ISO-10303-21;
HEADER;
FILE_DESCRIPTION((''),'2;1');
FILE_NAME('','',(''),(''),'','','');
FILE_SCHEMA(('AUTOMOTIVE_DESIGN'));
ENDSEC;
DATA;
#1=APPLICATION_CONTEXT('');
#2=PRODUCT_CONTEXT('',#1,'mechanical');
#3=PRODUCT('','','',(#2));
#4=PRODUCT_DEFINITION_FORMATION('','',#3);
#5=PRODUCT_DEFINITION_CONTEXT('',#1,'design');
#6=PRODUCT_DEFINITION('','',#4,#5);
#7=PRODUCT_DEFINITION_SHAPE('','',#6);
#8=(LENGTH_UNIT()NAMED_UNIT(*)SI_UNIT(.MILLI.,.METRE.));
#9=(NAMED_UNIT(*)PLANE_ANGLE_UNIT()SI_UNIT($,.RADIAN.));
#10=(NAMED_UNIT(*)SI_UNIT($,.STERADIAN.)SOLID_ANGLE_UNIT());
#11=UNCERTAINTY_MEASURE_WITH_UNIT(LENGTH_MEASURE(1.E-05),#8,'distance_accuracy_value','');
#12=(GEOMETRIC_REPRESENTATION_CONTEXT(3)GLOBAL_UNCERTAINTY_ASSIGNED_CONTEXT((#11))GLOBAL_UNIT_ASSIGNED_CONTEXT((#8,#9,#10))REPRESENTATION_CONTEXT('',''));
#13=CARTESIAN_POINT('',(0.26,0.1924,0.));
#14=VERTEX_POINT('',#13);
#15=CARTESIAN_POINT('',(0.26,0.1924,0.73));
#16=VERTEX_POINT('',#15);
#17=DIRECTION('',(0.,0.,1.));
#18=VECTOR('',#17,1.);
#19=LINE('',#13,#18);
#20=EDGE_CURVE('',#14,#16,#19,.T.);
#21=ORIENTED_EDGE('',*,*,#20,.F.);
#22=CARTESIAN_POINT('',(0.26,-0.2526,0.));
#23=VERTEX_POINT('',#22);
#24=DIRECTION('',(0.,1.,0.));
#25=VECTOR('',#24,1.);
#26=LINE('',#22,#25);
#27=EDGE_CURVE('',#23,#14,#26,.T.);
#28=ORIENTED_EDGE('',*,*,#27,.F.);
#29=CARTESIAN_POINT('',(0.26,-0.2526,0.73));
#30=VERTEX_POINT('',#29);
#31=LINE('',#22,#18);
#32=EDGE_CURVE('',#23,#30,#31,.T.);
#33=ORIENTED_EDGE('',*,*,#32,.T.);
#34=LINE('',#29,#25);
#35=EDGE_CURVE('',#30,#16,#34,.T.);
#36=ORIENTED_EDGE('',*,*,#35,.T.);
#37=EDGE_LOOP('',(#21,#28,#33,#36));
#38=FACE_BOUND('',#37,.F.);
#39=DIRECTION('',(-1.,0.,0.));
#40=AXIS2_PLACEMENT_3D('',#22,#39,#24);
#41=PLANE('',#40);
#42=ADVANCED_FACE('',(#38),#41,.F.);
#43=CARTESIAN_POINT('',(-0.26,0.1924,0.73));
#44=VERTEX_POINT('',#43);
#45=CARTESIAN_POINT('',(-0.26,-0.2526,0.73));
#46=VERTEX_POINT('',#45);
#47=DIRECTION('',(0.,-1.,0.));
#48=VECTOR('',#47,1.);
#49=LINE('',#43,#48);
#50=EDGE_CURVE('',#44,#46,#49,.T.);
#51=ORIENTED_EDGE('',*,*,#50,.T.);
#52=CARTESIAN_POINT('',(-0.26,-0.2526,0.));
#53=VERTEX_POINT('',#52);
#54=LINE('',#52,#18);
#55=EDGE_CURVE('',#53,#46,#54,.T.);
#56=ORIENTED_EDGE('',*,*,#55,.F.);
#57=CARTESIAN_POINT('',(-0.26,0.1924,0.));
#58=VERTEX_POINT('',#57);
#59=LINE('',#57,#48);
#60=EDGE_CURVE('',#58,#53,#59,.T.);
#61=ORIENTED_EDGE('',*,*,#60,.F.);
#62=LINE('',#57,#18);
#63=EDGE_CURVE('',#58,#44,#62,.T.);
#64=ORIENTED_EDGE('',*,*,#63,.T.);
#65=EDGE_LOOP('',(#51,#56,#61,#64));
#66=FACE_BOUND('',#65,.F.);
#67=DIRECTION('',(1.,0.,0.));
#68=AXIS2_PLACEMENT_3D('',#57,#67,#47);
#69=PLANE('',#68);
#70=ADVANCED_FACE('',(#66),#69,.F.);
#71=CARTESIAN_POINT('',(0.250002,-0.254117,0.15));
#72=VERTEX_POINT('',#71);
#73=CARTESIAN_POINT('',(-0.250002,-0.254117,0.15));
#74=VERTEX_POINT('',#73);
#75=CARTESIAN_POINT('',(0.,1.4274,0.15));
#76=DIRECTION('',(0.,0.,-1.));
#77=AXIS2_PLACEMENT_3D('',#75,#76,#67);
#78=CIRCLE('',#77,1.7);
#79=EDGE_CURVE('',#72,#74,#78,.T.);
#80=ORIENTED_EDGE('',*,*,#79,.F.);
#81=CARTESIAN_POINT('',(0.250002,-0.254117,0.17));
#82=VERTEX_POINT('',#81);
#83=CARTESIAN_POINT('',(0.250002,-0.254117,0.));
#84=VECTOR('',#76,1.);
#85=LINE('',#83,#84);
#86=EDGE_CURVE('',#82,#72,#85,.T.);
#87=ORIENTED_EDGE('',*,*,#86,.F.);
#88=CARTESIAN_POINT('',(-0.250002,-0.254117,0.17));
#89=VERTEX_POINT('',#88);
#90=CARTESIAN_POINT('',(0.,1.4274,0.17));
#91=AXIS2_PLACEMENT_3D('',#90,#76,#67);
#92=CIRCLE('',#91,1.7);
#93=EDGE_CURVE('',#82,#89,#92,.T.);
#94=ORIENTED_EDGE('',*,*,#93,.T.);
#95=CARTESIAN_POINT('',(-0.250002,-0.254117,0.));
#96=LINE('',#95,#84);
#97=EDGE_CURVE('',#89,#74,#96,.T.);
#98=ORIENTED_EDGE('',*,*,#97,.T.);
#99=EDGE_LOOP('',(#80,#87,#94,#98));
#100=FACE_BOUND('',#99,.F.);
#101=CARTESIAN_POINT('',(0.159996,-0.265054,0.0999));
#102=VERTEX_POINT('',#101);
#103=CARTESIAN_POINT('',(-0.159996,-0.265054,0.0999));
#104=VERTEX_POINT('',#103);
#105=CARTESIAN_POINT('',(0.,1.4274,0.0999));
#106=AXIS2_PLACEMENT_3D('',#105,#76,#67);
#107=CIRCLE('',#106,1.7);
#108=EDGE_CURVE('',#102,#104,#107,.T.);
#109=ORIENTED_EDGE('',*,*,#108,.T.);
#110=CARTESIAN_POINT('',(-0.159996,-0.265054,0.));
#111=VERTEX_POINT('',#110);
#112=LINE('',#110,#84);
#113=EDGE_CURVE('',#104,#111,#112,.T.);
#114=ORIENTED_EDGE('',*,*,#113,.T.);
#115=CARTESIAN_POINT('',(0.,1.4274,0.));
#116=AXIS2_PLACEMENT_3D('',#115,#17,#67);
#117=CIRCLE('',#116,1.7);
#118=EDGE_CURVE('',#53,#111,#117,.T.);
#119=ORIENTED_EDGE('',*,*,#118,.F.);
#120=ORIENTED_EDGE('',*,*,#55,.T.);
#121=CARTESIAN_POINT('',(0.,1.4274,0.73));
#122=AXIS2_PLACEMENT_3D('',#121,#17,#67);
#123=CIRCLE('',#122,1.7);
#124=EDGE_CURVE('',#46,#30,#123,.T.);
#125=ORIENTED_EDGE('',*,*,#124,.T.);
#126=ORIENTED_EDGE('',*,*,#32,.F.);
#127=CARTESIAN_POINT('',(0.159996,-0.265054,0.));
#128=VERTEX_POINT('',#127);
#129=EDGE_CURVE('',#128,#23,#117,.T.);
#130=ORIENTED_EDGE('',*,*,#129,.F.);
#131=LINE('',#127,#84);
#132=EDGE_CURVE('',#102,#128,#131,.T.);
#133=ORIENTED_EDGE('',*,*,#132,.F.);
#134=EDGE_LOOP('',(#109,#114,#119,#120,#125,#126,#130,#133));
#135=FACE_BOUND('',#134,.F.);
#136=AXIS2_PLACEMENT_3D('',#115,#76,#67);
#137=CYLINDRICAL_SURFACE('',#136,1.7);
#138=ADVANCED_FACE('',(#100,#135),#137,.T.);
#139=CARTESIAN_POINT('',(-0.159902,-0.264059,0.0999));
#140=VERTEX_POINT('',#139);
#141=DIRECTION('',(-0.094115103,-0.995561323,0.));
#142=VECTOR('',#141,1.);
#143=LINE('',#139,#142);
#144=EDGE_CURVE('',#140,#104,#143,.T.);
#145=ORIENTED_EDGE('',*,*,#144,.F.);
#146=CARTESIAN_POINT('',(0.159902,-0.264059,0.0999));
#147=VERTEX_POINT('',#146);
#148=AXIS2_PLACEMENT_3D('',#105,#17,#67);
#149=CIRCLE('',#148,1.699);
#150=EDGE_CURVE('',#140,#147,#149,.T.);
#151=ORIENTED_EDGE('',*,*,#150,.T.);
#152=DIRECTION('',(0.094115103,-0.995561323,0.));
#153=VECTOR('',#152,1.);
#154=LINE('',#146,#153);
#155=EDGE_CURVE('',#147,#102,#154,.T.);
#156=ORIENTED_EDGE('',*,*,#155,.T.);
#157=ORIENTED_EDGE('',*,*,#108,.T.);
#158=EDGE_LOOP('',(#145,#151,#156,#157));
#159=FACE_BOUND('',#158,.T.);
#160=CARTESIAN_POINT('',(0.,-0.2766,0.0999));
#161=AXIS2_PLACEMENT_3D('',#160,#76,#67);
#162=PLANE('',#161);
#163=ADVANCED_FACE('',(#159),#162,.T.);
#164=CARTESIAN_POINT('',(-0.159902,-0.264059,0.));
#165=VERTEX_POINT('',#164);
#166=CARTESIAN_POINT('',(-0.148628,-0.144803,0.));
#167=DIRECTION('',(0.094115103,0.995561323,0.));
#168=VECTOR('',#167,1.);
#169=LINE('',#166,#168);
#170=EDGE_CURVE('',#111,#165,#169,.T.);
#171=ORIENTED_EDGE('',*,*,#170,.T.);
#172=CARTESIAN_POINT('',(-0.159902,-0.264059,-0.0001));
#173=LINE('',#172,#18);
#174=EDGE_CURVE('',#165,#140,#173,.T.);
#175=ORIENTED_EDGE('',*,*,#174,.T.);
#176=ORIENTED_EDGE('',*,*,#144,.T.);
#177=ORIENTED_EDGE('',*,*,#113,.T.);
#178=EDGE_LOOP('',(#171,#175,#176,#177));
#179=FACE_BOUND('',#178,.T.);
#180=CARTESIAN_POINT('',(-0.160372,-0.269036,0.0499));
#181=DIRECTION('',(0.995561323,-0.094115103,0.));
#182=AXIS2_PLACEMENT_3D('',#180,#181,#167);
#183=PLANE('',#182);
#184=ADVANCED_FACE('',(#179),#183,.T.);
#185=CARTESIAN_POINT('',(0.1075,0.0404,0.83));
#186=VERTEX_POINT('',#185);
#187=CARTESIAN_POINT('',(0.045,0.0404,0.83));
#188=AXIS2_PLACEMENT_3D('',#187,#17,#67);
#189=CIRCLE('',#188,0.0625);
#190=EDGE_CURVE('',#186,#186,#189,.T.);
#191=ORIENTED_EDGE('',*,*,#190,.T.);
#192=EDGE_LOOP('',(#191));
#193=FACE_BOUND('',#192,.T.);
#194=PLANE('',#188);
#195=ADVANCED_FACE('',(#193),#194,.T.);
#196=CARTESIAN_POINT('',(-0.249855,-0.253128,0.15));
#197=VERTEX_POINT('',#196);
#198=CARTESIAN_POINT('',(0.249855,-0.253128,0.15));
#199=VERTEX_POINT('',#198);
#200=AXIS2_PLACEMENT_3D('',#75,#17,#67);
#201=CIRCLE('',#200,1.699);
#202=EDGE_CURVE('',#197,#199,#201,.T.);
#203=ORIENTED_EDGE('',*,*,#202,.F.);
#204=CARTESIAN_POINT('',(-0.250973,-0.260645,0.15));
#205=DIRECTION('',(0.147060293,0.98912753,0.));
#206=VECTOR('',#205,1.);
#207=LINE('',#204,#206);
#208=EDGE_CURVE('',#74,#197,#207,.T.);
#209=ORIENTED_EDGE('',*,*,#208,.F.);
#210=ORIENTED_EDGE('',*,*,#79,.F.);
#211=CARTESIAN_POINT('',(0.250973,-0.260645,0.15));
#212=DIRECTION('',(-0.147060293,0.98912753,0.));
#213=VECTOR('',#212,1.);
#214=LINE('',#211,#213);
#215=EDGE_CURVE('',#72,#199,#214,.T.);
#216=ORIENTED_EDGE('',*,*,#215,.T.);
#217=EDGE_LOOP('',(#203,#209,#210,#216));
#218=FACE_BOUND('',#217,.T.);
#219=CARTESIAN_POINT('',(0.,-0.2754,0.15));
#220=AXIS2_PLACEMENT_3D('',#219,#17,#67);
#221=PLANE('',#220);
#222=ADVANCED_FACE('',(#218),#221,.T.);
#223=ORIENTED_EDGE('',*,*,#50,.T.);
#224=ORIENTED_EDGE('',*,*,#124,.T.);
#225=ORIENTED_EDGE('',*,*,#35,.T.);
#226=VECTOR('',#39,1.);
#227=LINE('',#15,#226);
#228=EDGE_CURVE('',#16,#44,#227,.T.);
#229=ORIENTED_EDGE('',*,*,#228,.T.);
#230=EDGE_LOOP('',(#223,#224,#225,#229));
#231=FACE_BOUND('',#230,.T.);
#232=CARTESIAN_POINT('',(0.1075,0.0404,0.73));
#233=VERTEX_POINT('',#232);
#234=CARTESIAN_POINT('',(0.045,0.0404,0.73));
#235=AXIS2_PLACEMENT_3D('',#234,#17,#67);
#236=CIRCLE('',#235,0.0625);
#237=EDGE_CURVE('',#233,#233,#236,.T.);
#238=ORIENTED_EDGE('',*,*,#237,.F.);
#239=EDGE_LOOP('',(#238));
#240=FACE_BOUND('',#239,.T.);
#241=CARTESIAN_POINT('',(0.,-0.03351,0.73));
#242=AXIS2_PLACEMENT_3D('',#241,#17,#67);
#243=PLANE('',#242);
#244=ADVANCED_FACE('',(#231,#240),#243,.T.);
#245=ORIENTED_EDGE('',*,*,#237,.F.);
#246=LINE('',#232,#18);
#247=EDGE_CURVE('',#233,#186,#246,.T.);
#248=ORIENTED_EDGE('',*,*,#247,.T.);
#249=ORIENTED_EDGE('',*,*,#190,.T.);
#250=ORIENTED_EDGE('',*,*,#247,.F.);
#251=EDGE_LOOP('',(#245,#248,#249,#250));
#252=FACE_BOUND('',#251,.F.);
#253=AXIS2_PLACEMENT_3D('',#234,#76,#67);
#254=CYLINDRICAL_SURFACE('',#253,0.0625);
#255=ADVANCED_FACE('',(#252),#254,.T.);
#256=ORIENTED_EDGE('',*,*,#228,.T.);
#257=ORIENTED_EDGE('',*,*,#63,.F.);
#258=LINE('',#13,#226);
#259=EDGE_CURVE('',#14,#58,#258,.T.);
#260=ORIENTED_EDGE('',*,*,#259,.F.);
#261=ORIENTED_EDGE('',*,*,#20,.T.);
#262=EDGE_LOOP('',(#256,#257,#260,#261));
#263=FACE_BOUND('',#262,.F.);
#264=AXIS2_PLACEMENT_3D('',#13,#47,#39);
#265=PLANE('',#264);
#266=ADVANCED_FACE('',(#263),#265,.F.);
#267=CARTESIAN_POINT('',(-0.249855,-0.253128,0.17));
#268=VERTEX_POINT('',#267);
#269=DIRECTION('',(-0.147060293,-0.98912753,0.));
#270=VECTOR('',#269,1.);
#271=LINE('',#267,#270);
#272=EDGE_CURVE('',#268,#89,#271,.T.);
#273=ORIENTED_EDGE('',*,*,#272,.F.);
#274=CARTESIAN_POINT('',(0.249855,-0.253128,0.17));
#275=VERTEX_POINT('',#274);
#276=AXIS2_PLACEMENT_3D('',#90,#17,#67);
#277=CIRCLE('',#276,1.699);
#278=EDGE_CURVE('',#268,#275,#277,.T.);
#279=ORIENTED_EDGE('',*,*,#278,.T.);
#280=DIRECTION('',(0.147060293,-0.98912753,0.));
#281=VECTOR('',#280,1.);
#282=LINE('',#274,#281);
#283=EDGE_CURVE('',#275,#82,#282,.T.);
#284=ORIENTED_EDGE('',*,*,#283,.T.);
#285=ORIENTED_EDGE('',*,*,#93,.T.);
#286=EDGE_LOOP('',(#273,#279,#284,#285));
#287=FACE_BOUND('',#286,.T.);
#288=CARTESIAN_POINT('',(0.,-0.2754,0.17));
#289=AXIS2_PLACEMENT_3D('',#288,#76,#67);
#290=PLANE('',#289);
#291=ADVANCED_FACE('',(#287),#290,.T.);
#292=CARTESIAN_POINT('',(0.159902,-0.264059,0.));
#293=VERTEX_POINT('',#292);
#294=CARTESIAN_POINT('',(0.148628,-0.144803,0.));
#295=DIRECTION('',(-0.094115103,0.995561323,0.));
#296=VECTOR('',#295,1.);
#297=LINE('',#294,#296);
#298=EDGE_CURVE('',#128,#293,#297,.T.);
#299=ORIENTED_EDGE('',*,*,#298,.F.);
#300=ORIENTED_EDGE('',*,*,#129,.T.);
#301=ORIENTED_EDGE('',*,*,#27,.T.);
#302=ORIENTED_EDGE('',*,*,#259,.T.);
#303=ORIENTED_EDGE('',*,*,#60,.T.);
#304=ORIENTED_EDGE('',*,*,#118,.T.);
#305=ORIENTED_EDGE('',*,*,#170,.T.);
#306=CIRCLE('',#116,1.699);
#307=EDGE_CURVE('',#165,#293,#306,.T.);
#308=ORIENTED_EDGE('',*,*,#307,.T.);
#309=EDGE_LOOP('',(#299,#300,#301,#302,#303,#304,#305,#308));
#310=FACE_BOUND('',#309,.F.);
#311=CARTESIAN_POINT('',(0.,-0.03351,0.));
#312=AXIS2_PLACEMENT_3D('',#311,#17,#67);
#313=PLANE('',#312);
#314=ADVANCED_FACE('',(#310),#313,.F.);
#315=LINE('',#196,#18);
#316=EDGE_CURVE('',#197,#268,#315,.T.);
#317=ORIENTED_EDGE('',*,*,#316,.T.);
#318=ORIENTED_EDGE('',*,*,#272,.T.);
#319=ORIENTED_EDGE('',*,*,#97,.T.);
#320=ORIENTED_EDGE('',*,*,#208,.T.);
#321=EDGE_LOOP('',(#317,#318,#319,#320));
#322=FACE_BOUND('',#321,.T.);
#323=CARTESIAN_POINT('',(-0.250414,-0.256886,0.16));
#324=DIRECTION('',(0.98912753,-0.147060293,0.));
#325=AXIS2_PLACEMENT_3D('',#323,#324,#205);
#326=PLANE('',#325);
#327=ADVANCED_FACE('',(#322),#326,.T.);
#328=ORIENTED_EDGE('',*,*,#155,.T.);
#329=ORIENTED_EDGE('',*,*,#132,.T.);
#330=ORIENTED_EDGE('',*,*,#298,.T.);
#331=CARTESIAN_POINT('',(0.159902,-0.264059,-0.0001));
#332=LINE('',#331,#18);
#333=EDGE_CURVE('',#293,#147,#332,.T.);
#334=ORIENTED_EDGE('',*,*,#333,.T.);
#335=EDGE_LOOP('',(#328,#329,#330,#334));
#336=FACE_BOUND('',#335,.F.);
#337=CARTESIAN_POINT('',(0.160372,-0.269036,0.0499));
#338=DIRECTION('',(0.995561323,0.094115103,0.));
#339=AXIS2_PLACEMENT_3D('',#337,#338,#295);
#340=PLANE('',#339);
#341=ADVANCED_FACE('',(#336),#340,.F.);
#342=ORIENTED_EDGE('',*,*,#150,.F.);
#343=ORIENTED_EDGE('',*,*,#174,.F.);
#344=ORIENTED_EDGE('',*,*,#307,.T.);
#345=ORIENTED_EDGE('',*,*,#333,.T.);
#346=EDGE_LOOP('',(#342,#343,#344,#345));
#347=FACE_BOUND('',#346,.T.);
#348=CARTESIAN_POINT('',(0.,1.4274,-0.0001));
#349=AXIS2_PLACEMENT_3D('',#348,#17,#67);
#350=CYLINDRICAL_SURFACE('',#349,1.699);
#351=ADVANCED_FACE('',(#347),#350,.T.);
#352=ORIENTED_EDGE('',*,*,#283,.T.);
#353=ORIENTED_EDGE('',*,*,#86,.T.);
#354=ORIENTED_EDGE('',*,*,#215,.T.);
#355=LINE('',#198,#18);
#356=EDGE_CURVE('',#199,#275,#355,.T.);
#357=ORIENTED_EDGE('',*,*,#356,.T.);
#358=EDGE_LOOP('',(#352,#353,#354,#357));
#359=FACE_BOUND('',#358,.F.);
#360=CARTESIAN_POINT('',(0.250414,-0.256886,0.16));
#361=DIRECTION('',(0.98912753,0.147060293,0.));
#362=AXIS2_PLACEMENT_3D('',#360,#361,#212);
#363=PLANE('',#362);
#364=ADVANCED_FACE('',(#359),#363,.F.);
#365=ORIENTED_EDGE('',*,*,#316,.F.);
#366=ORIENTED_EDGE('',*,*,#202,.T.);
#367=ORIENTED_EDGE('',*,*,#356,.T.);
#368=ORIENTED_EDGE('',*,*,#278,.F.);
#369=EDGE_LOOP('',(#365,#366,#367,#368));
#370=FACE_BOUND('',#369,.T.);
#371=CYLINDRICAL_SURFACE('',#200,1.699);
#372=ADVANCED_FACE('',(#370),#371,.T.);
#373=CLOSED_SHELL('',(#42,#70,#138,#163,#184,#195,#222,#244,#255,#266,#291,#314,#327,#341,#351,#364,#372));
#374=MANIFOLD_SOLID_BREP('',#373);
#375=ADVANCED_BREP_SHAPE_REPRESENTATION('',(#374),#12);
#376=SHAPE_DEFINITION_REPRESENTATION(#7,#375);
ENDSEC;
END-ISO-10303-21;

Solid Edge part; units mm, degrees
sketch "Sketch1" plane through (0, 0, 0) normal (0, 0, 1) x (1, 0, 0)
  line L0 (0.26, -0.2526) -> (0.26, 0.1924)
  line L1 (0.26, 0.1924) -> (-0.26, 0.1924)
  line L2 (-0.26, 0.1924) -> (-0.26, -0.2526)
  arc A0 (-0.26, -0.2526) -> (0.26, -0.2526) centre (0, 1.4274) ccw
  dimension "D1" = 0.26
  dimension "D2" = 0
extrude "Protrusion1" add sketch "Sketch1" along normal blind 0.73
sketch "Sketch2" plane through (0, 0.0009, 0.73) normal (0, 0, 1) x (1, 0, 0)
  circle A0 centre (0.045, 0.0395) radius 0.0625
  dimension "D1" = 0.125
extrude "Abgasstutzen" add sketch "Sketch2" along normal blind 0.1
sketch "Sketch3" plane through (0, -0.0401, 0) normal (0, 0, -1) x (1, 0, 0)
  arc A0 (-0.25, 0.214) -> (0.25, 0.214) centre (0, -1.4675) cw
sketch "Sketch4" plane through (0, 0, 0) normal (1, 0, 0) x (0, 1, 0)
  line L0 (-0.2792, 0.15) -> (-0.2716, 0.15)
  line L1 (-0.2716, 0.15) -> (-0.2716, 0.17)
  line L2 (-0.2716, 0.17) -> (-0.2792, 0.17)
  line L3 (-0.2792, 0.17) -> (-0.2792, 0.15)
  dimension "D1" = 0.02
sweep "SweptCutout1" cut profiles "Sketch4" path "Sketch3"
sketch "Sketch5" plane through (0, -0.0401, 0) normal (0, 0, -1) x (1, 0, 0)
  arc A0 (-0.16, 0.225) -> (0.16, 0.225) centre (0, -1.4675) cw
sketch "Sketch6" plane through (0, 0, 0) normal (1, 0, 0) x (0, 1, 0)
  line L0 (-0.2716, -0.0001) -> (-0.2716, 0.0999)
  line L1 (-0.2716, 0.0999) -> (-0.2816, 0.0999)
  line L2 (-0.2816, 0.0999) -> (-0.2816, -0.0001)
  line L3 (-0.2816, -0.0001) -> (-0.2716, -0.0001)
  dimension "D1" = 0.1
  dimension "D2" = 0.01
sweep "SweptCutout2" cut profiles "Sketch6" path "Sketch5"
